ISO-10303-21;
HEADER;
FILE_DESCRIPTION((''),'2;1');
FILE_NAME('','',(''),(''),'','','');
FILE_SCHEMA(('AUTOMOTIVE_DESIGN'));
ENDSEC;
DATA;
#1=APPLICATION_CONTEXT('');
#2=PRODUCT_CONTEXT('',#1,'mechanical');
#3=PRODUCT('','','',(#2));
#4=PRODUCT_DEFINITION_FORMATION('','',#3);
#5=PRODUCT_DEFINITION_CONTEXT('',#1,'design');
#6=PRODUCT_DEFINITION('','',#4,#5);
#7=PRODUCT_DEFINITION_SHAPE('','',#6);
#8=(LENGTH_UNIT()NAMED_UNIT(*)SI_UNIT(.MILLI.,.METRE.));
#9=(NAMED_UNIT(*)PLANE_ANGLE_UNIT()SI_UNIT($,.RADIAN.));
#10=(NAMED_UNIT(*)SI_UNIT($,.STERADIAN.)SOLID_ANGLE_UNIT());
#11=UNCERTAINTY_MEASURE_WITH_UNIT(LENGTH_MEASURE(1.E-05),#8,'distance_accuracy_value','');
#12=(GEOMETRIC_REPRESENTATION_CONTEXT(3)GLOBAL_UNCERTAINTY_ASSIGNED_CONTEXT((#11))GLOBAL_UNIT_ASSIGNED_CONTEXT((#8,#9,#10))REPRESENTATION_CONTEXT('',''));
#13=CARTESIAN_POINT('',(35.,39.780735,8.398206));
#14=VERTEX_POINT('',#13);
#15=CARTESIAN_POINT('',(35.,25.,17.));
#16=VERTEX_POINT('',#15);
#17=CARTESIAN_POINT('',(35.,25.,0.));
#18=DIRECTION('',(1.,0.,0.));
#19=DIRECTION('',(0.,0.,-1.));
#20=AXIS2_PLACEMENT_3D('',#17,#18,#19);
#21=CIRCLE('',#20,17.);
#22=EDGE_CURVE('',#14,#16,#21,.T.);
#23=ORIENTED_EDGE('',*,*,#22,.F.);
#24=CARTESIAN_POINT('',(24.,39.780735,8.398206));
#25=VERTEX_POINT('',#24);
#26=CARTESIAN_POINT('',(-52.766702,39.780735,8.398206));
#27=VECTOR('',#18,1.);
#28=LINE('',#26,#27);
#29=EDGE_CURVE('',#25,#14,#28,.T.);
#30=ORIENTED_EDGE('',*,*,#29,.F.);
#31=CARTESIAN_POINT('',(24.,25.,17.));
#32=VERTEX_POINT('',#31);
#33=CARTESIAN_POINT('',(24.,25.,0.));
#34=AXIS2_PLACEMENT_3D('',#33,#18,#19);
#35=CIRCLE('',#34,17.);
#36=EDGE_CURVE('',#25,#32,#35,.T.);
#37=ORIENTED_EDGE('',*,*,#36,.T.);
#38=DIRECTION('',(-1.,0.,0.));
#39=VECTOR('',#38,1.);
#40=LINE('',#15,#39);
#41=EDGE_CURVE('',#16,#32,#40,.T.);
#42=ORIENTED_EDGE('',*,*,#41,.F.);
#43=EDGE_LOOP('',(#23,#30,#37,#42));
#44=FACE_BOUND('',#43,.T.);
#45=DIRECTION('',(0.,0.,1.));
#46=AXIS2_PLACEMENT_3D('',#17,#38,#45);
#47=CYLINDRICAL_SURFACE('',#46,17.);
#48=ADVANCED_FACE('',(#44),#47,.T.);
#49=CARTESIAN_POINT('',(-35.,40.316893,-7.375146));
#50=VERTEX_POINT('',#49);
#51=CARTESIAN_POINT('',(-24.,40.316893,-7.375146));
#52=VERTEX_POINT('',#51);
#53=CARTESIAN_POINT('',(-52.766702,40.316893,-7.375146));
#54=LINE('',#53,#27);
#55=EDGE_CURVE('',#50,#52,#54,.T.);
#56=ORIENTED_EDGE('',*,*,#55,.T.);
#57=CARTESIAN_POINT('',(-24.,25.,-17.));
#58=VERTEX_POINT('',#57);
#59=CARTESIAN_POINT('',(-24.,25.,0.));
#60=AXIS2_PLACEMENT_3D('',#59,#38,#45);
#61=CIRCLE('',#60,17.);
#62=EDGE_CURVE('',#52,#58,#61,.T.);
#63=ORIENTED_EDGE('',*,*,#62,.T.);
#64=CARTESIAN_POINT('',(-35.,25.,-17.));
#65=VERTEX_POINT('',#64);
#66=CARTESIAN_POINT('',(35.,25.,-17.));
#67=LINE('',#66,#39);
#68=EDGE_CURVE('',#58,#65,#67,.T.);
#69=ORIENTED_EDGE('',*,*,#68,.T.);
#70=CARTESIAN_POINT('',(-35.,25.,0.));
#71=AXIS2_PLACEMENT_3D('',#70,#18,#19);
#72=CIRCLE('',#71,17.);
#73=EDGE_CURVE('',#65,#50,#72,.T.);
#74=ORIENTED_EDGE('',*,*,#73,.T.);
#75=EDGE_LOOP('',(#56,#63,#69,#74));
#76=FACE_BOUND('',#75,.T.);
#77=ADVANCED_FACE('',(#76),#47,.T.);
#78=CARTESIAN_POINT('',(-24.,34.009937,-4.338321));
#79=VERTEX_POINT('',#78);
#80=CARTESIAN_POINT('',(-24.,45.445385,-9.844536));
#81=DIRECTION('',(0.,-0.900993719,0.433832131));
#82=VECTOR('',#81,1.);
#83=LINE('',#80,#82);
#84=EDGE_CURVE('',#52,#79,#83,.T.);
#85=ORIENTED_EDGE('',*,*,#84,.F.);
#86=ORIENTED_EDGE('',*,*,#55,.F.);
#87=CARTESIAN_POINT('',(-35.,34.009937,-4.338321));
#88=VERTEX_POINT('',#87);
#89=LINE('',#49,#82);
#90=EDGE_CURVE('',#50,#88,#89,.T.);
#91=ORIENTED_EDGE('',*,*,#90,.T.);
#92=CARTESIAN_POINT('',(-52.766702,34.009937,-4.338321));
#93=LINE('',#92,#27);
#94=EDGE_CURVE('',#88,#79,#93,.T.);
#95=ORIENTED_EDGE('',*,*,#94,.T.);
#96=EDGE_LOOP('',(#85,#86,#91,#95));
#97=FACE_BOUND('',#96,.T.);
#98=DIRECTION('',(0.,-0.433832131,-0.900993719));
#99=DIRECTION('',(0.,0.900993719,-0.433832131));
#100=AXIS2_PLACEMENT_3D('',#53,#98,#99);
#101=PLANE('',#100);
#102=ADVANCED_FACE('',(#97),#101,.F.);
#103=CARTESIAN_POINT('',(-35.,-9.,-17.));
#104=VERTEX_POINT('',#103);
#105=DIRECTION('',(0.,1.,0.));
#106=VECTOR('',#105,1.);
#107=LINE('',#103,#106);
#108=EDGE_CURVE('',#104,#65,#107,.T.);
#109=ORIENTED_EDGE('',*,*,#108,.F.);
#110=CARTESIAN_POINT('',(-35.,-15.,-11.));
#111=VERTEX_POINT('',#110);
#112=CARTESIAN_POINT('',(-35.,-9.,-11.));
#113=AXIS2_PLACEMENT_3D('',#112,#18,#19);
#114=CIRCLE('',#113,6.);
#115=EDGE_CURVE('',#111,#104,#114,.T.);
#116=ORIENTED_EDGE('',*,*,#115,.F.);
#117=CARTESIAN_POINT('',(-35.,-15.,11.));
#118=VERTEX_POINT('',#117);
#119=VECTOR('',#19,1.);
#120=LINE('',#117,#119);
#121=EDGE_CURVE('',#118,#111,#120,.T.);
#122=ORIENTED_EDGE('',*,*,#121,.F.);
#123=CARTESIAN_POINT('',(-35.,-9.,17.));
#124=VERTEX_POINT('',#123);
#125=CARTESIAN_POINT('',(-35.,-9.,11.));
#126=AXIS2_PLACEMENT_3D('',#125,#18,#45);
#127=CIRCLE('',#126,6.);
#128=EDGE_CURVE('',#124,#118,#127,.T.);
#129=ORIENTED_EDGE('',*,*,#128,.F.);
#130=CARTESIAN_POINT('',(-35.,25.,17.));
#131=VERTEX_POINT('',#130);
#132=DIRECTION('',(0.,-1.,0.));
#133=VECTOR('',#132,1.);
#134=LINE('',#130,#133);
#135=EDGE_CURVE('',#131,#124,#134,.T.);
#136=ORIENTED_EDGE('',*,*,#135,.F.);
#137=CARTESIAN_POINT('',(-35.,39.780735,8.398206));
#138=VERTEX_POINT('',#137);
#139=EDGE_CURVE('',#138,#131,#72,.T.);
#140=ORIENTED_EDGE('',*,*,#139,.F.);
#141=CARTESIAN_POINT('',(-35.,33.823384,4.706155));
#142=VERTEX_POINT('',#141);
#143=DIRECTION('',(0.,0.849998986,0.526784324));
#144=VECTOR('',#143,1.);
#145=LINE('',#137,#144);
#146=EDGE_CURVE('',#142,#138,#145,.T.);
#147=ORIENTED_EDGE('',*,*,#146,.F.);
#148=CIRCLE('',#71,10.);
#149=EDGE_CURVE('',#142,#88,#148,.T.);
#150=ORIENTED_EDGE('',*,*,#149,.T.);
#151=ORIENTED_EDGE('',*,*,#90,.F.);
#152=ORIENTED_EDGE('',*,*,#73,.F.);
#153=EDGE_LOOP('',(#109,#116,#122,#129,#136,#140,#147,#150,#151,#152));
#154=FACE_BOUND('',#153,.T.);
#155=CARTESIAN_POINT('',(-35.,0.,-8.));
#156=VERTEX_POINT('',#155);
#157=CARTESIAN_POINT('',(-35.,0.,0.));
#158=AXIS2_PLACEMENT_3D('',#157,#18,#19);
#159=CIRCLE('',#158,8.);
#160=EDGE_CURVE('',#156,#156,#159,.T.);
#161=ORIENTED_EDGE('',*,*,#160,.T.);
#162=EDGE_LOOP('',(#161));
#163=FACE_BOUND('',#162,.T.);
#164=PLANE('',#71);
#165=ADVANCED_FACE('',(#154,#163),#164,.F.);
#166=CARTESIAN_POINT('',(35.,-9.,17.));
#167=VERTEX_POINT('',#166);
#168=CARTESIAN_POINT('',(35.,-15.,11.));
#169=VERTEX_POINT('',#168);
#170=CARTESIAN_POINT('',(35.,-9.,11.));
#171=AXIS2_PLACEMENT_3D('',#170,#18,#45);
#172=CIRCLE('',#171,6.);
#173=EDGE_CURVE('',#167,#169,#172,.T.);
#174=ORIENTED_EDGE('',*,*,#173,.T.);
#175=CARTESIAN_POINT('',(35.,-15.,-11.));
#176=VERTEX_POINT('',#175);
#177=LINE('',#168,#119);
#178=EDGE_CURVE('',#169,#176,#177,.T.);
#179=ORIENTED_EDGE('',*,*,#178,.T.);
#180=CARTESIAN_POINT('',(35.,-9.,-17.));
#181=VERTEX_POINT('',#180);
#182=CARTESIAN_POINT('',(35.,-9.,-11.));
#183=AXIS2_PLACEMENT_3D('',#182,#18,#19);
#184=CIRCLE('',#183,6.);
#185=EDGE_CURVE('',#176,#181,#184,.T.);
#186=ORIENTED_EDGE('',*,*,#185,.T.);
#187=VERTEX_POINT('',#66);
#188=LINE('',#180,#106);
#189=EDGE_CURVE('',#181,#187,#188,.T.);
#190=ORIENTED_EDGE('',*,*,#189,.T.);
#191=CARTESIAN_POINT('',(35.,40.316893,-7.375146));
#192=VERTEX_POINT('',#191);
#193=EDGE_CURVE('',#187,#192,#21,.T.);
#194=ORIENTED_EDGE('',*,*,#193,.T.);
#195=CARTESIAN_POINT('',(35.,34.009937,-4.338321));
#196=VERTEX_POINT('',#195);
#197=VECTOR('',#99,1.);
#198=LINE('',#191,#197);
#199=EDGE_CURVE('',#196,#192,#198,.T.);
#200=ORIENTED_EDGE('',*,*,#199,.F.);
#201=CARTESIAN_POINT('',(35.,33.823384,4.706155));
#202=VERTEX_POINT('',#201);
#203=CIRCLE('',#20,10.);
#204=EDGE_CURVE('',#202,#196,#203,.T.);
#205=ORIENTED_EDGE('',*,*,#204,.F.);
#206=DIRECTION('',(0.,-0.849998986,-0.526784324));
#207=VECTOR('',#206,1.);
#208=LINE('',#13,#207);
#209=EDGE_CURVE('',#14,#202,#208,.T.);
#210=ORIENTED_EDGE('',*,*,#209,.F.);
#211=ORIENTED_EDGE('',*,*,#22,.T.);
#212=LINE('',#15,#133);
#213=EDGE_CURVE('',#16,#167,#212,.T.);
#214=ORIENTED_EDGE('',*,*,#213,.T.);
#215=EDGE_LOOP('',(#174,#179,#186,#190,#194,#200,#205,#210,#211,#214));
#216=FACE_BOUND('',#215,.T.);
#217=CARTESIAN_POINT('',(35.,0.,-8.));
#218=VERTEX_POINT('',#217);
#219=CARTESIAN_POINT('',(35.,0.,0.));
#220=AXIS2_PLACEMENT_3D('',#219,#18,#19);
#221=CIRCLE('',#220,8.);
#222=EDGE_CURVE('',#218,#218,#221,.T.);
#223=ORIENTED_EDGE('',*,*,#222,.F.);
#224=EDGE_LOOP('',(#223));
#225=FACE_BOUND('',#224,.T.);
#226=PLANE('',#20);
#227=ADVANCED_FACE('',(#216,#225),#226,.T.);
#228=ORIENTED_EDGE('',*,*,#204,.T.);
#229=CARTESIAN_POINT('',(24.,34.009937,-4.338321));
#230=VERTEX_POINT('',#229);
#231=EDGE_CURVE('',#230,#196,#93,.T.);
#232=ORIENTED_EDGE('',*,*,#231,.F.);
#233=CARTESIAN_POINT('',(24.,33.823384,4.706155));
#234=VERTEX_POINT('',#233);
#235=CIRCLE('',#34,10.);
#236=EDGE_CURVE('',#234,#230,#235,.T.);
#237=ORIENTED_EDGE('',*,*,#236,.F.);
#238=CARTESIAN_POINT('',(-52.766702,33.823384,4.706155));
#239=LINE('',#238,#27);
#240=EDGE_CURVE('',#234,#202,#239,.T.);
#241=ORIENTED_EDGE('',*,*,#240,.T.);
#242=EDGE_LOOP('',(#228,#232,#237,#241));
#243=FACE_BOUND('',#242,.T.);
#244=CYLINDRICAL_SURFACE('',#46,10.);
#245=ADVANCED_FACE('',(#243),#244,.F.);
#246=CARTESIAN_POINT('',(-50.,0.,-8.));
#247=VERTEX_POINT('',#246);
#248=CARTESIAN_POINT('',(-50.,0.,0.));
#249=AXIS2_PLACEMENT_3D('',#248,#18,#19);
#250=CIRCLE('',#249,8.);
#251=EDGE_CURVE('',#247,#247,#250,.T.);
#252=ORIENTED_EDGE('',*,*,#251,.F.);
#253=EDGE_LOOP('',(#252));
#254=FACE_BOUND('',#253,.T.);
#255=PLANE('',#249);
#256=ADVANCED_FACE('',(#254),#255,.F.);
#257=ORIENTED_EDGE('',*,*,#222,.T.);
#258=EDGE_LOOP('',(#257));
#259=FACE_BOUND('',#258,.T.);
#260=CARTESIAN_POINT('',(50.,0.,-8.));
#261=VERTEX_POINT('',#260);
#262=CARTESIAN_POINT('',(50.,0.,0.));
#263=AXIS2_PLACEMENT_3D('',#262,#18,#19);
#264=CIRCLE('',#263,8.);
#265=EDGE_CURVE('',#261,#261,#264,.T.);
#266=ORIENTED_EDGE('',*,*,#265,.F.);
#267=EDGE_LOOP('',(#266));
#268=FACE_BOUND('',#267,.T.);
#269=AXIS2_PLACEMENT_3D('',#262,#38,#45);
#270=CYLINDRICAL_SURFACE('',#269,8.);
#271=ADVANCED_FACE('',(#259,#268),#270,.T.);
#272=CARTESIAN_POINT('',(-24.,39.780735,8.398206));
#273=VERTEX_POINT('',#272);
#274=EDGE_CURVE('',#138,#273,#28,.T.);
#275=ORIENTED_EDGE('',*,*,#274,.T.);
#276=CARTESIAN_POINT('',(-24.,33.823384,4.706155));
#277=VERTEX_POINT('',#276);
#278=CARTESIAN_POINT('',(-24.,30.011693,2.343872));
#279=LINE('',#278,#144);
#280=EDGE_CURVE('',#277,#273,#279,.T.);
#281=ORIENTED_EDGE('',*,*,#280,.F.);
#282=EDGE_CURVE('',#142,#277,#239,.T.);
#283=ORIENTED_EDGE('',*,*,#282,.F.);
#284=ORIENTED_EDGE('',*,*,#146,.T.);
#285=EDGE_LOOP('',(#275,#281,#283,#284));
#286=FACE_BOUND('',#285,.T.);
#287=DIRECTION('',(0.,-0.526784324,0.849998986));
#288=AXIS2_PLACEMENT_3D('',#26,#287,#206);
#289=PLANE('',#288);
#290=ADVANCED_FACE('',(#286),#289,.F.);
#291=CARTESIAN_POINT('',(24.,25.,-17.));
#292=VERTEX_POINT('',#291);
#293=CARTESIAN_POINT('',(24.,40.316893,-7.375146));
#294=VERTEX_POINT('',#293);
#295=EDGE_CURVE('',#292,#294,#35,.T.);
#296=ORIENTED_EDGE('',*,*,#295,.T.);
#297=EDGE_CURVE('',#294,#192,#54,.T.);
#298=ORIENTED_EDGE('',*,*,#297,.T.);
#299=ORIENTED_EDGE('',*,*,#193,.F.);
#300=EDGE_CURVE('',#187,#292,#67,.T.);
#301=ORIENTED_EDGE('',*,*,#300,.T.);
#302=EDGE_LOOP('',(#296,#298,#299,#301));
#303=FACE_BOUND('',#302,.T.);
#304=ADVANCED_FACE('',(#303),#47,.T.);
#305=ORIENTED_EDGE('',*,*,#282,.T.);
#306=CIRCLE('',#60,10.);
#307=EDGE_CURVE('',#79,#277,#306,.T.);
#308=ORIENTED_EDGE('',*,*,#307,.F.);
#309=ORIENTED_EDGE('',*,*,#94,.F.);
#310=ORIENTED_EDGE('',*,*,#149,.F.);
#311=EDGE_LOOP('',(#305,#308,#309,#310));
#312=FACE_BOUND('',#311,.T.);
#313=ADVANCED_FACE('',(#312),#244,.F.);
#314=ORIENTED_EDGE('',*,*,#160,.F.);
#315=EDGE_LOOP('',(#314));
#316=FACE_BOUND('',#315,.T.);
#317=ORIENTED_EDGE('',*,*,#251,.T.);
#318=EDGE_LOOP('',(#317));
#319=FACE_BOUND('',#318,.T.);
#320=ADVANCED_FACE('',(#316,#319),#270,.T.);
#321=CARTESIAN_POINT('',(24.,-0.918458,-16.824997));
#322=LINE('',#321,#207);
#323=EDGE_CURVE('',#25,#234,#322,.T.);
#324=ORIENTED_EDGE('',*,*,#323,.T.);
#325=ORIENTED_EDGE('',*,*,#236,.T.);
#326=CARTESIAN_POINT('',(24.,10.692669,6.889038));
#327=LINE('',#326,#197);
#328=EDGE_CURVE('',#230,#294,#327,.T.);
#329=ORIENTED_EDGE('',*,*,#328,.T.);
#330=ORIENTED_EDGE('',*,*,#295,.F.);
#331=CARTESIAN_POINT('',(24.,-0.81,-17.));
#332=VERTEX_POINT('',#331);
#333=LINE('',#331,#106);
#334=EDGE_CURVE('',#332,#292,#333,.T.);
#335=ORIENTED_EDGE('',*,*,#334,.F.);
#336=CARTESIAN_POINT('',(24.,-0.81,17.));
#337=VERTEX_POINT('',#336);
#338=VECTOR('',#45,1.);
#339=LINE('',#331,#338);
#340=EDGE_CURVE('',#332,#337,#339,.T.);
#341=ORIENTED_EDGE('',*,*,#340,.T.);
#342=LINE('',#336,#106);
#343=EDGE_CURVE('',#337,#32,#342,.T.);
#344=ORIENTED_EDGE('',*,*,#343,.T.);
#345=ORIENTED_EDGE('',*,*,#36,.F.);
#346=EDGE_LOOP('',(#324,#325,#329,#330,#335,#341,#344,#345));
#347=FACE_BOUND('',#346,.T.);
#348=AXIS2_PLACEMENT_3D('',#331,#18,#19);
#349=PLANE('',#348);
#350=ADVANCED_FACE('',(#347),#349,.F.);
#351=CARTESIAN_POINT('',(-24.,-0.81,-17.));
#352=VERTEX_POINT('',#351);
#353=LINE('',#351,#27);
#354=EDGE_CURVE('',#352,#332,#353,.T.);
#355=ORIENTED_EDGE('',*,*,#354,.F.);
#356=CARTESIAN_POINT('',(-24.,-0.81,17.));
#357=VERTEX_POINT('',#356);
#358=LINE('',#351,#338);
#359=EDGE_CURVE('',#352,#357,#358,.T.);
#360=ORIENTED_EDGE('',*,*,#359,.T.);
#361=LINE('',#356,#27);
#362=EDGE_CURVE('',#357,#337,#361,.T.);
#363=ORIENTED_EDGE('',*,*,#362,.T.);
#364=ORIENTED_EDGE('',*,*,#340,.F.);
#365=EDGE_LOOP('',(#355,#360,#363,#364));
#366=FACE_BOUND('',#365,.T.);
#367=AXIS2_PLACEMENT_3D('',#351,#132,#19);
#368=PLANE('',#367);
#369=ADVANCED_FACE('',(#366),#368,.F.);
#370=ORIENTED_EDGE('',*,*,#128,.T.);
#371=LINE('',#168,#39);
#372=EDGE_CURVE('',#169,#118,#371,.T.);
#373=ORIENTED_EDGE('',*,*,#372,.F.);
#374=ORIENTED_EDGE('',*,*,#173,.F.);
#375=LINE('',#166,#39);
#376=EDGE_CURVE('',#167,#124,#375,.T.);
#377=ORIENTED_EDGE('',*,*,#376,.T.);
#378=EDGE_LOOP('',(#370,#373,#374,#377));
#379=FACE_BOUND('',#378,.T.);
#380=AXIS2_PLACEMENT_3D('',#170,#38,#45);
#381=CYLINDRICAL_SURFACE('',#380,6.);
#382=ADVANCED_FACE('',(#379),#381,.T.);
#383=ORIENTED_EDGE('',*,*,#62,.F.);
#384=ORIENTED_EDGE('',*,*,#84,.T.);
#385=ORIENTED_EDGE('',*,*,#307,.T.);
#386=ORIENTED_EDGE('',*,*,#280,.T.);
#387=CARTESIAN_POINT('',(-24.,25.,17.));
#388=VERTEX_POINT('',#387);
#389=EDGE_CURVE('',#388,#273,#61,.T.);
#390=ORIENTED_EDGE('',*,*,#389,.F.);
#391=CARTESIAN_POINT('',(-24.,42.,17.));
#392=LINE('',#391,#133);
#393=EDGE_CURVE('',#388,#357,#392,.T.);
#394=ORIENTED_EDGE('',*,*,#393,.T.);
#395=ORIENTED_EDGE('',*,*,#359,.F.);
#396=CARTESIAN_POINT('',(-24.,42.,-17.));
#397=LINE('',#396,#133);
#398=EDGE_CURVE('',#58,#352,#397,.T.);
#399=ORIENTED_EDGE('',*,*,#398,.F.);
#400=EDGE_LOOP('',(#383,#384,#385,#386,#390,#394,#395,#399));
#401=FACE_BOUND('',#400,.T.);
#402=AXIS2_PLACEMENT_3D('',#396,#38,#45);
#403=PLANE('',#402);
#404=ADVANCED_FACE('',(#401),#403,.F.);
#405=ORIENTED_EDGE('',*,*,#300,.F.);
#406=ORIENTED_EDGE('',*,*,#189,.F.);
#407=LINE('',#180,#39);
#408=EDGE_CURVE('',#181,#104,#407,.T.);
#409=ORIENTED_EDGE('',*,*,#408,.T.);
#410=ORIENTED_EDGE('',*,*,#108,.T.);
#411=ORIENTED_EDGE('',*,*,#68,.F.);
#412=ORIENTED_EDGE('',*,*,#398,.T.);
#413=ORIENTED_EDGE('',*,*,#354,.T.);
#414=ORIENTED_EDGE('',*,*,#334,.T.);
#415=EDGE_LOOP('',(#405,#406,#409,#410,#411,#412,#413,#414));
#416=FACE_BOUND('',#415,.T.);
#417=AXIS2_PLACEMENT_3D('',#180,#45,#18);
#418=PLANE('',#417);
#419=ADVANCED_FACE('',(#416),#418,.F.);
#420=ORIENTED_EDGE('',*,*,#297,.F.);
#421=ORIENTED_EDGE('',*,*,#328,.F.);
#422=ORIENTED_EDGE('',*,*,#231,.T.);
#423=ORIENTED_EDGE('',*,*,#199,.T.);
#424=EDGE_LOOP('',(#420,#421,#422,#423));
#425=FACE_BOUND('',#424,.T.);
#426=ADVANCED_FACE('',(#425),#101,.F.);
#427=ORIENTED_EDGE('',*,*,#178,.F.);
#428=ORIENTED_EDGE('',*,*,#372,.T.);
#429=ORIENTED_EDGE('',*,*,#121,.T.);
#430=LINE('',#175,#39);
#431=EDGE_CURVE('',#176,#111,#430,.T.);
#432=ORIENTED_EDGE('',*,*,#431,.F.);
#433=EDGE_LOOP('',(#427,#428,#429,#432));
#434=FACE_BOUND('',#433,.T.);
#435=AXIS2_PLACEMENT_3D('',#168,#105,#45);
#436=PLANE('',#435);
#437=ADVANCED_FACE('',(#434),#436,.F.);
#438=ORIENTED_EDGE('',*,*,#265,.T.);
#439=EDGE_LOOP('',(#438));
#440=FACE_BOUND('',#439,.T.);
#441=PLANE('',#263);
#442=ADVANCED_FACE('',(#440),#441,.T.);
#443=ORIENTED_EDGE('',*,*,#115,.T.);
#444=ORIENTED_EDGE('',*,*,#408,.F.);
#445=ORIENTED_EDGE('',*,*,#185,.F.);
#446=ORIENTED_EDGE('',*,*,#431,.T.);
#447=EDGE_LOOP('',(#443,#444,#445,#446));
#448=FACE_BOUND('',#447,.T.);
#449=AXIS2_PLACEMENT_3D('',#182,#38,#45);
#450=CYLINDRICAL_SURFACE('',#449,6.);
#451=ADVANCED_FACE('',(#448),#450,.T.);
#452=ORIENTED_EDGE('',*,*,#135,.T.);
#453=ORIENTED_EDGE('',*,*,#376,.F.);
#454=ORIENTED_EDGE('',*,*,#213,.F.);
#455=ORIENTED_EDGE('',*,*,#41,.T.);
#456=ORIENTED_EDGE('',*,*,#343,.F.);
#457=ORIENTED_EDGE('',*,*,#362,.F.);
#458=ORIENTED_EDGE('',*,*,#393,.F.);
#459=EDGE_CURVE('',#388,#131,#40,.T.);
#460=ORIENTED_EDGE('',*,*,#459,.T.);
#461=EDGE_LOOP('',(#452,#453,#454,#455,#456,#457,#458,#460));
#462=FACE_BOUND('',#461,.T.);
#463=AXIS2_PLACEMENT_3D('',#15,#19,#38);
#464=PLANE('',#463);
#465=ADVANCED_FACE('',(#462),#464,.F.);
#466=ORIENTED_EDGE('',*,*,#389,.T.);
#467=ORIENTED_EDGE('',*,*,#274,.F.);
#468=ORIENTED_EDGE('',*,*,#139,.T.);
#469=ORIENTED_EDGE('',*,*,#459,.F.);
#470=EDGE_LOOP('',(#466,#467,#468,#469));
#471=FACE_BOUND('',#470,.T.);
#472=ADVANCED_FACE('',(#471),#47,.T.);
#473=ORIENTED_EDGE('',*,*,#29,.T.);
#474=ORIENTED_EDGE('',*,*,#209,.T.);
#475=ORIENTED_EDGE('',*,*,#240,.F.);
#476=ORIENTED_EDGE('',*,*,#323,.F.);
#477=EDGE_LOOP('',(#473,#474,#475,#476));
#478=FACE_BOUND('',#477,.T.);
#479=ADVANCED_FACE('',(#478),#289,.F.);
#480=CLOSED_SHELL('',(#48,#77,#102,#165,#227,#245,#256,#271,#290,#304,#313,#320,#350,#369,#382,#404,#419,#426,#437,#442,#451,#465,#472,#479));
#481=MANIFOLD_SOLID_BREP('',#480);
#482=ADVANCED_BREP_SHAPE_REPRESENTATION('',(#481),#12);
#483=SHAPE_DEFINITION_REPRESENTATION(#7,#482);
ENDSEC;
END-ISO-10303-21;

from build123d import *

# Parameters (mm, degrees)
SKETCH1_R               = 8
BOSS_EXTRUDE1_DEPTH     = 50
SKETCH2_R               = 10
BOSS_EXTRUDE2_DEPTH     = 35
CUT_EXTRUDE1_DEPTH      = 68.475921631
CUT_EXTRUDE1_DEPTH_BACK = 68.475921631
SKETCH3_W               = 48
SKETCH3_H               = 42.81
CUT_EXTRUDE2_REACH      = 98.322


with BuildPart() as part:
    # Sketch1 → Boss-Extrude1 (new, symmetric)
    with BuildSketch(Plane(origin=(0, 0, 0), x_dir=(0, 0, -1), z_dir=(1, 0, 0))):
        Circle(SKETCH1_R)
    extrude(amount=BOSS_EXTRUDE1_DEPTH, both=True)

    # Sketch2 → Boss-Extrude2 (add, symmetric)
    with BuildSketch(Plane(origin=(0, 0, 0), x_dir=(0, 0, -1), z_dir=(1, 0, 0))):
        with BuildLine():
            Line((-11, -15), (11, -15))
            ThreePointArc((11, -15), (15.242640687, -13.242640687), (17, -9))
            Line((17, -9), (17, 25))
            ThreePointArc((17, 25), (0, 42), (-17, 25))
            Line((-17, 25), (-17, -9))
            ThreePointArc((-17, -9), (-15.242640687, -13.242640687), (-11, -15))
        make_face()
        with Locations((0, 25)):
            Circle(SKETCH2_R, mode=Mode.SUBTRACT)
    extrude(amount=BOSS_EXTRUDE2_DEPTH, both=True)

    # Sketch3 → Cut-Extrude1 (cut, two sides: drawn at the far end of the back side and taken through both)
    with BuildSketch(Plane.XY.offset(-CUT_EXTRUDE1_DEPTH_BACK)):
        with Locations((0, 20.595)):
            Rectangle(SKETCH3_W, SKETCH3_H)
    extrude(amount=CUT_EXTRUDE1_DEPTH + CUT_EXTRUDE1_DEPTH_BACK, mode=Mode.SUBTRACT)

    # Cut-Extrude2: up to this face of the body (flat: up to its plane)
    cut_extrude2_end = Plane(part.part.faces().sort_by_distance((-35, 10.739149223, 0))[0])
    # Sketch4 → Cut-Extrude2 (cut, up to the picked face)
    with BuildSketch(Plane(origin=(35, 0, 0), x_dir=(0, 0, -1), z_dir=(1, 0, 0)), mode=Mode.PRIVATE) as cut_extrude2_sk1:
        with BuildLine():
            Line((-8.398206087, 39.78073525), (-4.706155375, 33.823383795))
            ThreePointArc((-4.706155375, 33.823383795), (-0.206218371, 34.997873473), (4.338321313, 34.009937191))
            Line((4.338321313, 34.009937191), (7.375146233, 40.316893224))
            ThreePointArc((7.375146233, 40.316893224), (-0.577519878, 41.990187485), (-8.398206087, 39.78073525))
        make_face()
    cut_extrude2_tool1 = split(extrude(cut_extrude2_sk1.sketch, amount=-CUT_EXTRUDE2_REACH, mode=Mode.PRIVATE), bisect_by=cut_extrude2_end, keep=Keep.BOTH, mode=Mode.PRIVATE)
    add(cut_extrude2_tool1.solids().sort_by(Axis((35, 38.290838, 0.393307), (-1, 0, 0)))[0], mode=Mode.SUBTRACT)


solid = part.part
